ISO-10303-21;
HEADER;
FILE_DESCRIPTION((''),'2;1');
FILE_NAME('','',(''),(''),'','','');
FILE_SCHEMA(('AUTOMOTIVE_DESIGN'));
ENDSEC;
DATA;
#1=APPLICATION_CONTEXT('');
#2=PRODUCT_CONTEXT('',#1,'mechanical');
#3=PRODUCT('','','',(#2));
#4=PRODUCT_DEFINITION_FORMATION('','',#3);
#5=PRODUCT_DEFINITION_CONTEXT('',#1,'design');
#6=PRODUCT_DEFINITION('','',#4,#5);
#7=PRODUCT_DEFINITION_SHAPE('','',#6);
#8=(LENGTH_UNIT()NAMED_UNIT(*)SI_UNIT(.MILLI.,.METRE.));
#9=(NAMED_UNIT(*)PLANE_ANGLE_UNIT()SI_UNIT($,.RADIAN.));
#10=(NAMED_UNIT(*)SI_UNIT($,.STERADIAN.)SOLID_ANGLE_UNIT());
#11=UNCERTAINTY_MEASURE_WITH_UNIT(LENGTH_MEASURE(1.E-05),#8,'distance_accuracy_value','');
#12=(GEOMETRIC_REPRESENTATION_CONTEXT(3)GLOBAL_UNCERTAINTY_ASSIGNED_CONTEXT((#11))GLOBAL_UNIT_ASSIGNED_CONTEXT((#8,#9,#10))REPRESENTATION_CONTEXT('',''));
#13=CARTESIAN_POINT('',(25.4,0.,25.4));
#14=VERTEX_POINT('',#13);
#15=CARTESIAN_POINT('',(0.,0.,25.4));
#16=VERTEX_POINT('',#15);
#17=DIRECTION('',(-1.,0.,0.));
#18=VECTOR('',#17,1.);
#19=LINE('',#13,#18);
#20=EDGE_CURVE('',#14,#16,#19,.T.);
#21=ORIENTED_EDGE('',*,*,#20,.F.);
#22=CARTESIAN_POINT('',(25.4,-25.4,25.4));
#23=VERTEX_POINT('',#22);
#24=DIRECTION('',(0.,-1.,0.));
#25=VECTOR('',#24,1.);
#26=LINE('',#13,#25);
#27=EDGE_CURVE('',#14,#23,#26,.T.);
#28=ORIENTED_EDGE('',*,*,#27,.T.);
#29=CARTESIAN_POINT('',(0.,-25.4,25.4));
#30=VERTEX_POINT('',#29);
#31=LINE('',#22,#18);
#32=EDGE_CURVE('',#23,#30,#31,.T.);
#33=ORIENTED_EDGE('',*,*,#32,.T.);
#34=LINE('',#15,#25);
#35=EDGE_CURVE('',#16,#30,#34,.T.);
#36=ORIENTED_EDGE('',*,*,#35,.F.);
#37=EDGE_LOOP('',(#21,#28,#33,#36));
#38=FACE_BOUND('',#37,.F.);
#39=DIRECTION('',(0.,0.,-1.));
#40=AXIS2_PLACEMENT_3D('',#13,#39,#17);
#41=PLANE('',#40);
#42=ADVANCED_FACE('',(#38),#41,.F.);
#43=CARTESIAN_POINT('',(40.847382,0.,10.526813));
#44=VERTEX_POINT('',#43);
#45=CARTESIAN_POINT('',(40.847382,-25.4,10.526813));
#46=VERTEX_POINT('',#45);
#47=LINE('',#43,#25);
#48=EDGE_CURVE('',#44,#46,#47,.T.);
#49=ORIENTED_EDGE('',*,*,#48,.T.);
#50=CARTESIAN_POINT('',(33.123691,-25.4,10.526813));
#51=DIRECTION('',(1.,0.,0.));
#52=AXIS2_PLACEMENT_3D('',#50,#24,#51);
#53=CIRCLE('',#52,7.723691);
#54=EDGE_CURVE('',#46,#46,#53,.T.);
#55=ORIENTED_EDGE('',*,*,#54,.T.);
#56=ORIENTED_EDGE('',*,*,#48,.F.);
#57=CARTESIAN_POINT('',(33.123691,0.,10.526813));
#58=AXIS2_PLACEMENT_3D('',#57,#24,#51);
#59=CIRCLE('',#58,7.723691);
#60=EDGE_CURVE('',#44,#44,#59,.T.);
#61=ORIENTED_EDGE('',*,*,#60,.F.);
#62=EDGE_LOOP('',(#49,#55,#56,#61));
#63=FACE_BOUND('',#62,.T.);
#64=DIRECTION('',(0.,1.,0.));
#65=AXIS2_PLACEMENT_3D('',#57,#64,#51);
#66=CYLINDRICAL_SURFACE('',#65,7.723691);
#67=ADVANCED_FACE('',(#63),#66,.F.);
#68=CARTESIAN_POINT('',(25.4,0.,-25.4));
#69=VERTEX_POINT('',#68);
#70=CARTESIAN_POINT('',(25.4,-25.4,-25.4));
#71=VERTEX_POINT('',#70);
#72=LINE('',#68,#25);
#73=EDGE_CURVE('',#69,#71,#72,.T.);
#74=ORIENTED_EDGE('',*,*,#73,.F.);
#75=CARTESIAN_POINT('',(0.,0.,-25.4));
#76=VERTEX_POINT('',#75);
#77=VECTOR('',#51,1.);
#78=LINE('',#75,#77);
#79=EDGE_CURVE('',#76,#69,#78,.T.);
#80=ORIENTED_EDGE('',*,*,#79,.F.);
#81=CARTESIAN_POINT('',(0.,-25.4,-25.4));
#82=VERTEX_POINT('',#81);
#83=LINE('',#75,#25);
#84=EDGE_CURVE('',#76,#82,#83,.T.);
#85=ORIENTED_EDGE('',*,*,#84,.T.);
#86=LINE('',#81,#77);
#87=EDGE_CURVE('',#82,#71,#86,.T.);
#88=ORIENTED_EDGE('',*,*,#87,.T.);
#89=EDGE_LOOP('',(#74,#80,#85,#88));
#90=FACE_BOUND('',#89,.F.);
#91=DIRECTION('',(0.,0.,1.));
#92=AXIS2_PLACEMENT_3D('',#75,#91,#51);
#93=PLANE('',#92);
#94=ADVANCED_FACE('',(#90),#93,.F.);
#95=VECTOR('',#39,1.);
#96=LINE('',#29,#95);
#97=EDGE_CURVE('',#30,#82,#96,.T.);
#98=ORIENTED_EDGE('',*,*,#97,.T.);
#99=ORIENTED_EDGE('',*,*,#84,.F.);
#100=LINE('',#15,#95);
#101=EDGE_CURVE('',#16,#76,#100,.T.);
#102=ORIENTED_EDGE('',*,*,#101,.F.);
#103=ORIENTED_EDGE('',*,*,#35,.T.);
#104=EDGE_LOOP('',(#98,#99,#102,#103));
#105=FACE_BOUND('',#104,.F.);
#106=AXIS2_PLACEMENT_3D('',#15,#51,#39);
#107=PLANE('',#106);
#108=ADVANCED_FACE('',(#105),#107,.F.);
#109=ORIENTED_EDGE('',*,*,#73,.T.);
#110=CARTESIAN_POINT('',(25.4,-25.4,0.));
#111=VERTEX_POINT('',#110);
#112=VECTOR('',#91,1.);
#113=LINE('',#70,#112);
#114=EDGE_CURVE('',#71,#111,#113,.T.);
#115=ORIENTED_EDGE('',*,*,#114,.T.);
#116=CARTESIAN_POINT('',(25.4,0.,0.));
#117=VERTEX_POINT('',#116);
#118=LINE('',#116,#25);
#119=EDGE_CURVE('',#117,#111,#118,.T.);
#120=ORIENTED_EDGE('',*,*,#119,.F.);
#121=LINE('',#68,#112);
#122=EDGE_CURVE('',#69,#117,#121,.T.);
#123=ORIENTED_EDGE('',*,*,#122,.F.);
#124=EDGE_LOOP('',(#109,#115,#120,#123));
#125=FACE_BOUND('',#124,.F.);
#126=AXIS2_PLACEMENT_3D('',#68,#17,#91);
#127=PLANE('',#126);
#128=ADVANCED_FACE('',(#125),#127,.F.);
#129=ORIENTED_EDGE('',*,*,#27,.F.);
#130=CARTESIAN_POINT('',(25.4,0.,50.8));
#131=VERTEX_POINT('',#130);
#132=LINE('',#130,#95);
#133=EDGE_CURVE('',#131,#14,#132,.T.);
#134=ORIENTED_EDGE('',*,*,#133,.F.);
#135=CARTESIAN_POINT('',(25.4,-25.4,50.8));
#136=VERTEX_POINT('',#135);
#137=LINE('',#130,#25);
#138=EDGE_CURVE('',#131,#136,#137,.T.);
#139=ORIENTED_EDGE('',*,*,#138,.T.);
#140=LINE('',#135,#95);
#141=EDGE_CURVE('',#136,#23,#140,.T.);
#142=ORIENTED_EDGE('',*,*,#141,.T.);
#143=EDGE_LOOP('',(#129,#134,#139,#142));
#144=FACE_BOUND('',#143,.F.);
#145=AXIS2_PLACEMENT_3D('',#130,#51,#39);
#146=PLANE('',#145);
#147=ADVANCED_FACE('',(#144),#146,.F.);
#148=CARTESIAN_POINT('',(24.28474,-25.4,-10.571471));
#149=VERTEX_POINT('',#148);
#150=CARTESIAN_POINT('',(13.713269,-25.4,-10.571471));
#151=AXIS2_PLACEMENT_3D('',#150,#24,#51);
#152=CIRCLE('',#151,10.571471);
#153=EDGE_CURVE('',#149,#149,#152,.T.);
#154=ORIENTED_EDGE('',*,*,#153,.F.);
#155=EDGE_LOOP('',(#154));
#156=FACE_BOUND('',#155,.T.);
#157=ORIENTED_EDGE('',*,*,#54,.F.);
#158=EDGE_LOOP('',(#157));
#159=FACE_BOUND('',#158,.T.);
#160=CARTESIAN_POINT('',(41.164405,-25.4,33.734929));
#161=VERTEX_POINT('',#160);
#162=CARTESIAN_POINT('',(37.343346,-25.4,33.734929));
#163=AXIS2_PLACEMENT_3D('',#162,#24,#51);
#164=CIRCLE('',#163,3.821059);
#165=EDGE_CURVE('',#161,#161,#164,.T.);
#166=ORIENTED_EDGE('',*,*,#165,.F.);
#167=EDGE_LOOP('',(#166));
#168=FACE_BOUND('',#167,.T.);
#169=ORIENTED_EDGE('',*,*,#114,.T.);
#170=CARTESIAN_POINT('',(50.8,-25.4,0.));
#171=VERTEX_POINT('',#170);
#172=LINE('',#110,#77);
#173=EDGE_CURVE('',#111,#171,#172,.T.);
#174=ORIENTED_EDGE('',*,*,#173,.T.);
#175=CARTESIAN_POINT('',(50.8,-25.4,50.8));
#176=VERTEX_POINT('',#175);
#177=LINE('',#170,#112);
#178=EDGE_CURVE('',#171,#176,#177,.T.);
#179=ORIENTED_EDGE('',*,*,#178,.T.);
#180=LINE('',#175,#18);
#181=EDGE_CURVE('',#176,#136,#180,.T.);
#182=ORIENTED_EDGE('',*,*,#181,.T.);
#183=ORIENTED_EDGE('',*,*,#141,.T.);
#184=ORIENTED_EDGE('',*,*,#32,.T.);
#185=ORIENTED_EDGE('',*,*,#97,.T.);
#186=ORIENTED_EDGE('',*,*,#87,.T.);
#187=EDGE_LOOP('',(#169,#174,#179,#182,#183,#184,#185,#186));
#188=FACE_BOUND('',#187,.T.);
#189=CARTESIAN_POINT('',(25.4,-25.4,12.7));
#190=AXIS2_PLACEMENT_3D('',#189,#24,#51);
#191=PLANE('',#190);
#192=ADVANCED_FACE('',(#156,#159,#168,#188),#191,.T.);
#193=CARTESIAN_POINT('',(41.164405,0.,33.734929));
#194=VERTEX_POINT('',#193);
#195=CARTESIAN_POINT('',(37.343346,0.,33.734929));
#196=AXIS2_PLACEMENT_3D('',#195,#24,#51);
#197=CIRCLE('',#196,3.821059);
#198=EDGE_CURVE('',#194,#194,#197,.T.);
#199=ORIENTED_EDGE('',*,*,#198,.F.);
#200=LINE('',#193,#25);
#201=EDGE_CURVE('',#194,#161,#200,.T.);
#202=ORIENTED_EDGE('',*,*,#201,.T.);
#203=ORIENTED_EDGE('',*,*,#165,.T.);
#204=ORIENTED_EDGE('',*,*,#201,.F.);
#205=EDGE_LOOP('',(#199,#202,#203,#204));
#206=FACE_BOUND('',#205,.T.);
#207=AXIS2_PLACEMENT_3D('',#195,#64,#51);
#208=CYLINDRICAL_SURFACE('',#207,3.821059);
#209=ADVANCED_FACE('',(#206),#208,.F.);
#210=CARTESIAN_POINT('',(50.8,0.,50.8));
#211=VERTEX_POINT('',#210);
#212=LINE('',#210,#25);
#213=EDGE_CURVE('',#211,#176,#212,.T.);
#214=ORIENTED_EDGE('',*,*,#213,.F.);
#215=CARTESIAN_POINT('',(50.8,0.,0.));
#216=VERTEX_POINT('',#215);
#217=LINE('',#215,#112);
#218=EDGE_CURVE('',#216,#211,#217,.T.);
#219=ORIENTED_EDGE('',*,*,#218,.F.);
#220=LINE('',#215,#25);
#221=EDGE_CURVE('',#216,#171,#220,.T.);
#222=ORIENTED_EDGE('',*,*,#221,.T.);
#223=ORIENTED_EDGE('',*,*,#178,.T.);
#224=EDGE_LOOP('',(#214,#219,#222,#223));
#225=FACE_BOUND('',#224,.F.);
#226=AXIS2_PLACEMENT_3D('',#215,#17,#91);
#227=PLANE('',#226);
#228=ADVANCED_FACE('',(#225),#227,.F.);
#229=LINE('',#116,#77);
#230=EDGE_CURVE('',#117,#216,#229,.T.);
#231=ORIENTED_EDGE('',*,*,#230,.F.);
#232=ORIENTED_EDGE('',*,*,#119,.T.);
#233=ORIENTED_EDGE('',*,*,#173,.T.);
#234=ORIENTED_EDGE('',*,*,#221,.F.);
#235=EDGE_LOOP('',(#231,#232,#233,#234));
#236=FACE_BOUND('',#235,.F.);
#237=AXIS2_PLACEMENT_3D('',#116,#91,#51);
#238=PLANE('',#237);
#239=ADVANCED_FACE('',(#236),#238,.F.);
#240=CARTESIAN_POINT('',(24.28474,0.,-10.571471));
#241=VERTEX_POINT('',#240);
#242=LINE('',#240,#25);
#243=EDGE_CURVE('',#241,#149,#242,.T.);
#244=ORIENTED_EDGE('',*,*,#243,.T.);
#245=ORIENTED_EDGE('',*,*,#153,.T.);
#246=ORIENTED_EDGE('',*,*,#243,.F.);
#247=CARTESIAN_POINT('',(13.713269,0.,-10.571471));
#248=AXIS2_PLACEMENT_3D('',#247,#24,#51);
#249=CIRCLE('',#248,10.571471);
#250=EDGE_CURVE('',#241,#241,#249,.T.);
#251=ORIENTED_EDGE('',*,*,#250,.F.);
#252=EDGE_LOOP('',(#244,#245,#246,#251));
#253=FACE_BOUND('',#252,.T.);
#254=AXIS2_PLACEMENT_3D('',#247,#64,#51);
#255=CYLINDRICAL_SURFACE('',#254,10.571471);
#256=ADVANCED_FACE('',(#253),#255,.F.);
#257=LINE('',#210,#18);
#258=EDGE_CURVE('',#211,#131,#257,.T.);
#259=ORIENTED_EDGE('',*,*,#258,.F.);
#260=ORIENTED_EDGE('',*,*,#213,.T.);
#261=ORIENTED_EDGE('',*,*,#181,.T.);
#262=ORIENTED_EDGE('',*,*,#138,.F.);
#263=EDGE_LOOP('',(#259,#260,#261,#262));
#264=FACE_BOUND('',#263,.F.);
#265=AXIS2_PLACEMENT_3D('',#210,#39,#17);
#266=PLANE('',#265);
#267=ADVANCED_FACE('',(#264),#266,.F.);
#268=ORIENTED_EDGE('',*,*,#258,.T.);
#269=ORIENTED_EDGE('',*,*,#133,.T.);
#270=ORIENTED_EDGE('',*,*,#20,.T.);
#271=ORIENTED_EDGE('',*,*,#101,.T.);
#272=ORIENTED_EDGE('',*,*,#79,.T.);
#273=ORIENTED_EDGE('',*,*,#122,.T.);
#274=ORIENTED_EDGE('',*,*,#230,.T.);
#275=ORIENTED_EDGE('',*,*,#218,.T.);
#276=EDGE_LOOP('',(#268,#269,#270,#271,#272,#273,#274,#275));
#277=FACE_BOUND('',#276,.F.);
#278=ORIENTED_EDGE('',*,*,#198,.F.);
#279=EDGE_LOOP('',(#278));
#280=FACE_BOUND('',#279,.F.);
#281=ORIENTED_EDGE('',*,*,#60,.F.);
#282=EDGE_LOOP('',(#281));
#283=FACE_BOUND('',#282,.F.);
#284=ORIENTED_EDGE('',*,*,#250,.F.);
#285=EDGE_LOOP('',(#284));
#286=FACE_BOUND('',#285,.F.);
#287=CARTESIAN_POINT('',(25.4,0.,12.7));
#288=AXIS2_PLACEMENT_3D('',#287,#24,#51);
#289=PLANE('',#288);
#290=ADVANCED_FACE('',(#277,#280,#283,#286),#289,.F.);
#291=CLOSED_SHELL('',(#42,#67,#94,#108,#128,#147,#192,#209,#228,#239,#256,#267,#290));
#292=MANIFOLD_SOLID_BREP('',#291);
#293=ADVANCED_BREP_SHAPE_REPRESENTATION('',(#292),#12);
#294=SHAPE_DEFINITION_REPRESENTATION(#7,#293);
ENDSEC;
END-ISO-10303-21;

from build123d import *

# Parameters (mm, degrees)
F0_R     = 10.571471
F0_R_2   = 7.723691
F0_R_3   = 3.821059
F1_DEPTH = 25.4


with BuildPart() as f1:
    # F0 (on Front) → F1 (new body)
    with BuildSketch(Plane.XZ):
        Polygon((0, 0), (0, -25.4), (25.4, -25.4), (25.4, 0), (50.8, 0), (50.8, 25.4), (50.8, 50.8), (25.4, 50.8), (25.4, 25.4), (0, 25.4), align=None)
        with Locations((13.713269, -10.571471)):
            Circle(F0_R, mode=Mode.SUBTRACT)
        with Locations((33.123691, 10.526813)):
            Circle(F0_R_2, mode=Mode.SUBTRACT)
        with Locations((37.343346, 33.734929)):
            Circle(F0_R_3, mode=Mode.SUBTRACT)
    extrude(amount=F1_DEPTH)


solid = f1.part
